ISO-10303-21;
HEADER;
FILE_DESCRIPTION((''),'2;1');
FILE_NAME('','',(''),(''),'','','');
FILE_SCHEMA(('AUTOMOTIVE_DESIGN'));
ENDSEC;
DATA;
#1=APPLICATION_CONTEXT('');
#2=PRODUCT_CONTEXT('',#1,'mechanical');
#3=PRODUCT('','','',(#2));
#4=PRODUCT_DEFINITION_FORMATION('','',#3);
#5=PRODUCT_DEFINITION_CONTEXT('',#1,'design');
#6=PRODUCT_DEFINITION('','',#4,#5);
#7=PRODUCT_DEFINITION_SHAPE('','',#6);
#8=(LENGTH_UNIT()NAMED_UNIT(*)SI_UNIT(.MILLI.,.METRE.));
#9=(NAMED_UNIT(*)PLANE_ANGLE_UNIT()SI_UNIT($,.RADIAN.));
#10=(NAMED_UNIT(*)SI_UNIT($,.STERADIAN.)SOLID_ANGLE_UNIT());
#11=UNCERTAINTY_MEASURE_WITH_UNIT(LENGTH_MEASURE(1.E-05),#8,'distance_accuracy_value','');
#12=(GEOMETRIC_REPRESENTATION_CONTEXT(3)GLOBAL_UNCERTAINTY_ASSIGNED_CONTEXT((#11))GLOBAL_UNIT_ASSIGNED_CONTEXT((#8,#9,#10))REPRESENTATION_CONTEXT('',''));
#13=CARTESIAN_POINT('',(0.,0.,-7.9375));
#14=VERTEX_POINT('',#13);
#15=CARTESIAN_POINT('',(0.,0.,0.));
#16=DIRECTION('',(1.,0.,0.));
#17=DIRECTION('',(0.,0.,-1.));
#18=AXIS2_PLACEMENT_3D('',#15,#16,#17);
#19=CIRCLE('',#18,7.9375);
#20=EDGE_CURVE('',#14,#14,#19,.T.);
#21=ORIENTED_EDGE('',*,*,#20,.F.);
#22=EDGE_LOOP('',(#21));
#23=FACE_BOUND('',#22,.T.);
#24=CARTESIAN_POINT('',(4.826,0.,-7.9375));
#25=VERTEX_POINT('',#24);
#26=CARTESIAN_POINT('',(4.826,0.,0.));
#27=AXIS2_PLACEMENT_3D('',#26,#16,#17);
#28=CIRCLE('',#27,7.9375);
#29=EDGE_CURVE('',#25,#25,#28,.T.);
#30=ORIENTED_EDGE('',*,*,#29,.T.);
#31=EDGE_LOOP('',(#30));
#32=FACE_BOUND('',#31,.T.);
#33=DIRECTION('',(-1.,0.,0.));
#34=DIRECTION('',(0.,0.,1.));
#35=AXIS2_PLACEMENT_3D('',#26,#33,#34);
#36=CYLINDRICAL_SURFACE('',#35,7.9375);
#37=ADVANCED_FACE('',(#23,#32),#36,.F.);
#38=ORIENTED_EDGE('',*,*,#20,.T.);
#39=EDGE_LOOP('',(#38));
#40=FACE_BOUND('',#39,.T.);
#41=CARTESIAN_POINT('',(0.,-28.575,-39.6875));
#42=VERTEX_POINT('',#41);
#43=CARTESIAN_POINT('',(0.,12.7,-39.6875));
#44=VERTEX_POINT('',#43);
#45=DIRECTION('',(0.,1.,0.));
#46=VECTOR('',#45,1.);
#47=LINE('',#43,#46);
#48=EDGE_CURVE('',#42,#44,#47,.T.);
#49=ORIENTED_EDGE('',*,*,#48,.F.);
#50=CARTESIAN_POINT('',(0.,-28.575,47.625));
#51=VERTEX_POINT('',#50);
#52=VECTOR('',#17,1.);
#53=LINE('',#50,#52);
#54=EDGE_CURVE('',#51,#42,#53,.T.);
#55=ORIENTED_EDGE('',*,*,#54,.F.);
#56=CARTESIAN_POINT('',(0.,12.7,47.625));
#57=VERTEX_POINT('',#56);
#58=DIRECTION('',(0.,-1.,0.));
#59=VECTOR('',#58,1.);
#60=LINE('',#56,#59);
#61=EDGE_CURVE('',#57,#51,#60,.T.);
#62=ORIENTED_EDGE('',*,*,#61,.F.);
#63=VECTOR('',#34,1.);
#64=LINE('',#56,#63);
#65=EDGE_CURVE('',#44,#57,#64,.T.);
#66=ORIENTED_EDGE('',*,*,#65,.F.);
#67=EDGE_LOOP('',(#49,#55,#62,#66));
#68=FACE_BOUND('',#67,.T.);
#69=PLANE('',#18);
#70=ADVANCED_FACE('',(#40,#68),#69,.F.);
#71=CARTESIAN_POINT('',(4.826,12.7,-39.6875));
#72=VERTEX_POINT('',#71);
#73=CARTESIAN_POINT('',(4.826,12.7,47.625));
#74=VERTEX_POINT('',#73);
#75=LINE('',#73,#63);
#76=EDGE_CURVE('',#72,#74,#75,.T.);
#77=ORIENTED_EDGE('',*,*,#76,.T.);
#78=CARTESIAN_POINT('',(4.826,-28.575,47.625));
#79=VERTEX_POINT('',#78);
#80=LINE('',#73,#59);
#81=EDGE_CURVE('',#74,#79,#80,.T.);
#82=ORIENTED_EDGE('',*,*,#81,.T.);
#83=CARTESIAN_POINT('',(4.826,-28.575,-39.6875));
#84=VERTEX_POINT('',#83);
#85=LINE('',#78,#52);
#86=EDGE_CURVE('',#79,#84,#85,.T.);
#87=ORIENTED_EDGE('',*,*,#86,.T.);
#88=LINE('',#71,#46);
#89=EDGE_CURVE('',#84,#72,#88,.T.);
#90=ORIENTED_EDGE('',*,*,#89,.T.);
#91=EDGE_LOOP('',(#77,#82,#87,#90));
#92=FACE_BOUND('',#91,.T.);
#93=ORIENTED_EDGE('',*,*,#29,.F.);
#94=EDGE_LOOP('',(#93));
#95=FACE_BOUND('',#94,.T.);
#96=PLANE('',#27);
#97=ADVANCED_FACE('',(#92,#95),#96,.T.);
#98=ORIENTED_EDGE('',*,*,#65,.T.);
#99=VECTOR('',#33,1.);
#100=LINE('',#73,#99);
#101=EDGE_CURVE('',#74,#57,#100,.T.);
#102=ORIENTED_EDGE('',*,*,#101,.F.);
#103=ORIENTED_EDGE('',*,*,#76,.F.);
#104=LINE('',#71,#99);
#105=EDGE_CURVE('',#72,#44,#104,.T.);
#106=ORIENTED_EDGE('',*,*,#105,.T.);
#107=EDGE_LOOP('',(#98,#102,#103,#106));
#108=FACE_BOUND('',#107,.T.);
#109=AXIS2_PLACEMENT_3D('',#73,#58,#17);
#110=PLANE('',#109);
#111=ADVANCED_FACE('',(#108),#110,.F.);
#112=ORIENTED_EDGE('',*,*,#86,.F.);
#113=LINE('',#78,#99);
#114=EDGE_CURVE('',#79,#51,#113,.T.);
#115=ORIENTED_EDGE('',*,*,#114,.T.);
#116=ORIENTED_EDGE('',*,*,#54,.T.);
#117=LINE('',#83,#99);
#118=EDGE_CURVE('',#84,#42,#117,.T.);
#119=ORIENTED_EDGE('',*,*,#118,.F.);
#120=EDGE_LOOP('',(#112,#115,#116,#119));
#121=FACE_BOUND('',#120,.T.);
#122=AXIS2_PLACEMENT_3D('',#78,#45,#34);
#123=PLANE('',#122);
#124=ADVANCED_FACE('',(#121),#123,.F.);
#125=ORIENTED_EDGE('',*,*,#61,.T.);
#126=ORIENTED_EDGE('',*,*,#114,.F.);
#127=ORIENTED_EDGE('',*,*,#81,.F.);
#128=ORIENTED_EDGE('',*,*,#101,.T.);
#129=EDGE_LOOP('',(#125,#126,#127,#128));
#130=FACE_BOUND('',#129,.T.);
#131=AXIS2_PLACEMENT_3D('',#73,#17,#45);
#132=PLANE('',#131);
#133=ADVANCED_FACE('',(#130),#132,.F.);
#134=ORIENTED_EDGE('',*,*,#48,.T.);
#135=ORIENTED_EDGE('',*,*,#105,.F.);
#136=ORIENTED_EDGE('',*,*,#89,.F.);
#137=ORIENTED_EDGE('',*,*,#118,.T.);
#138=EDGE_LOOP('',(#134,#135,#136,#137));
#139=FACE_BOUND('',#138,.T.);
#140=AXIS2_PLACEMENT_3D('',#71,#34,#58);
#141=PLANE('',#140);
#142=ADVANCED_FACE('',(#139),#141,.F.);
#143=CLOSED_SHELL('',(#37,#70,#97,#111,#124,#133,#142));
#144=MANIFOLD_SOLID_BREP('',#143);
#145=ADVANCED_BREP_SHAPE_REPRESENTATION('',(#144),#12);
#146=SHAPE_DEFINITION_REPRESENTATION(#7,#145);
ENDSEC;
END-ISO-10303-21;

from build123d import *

# Parameters (mm, degrees)
SKETCH1_W           = 87.3125
SKETCH1_H           = 41.275
SKETCH1_R           = 7.9375
BOSS_EXTRUDE1_DEPTH = 4.826


with BuildPart() as part:
    # Sketch1 → Boss-Extrude1 (new body)
    with BuildSketch(Plane(origin=(0, 0, 0), x_dir=(0, 0, -1), z_dir=(1, 0, 0))):
        with Locations((-3.96875, -7.9375)):
            Rectangle(SKETCH1_W, SKETCH1_H)
        Circle(SKETCH1_R, mode=Mode.SUBTRACT)
    extrude(amount=BOSS_EXTRUDE1_DEPTH)


solid = part.part
